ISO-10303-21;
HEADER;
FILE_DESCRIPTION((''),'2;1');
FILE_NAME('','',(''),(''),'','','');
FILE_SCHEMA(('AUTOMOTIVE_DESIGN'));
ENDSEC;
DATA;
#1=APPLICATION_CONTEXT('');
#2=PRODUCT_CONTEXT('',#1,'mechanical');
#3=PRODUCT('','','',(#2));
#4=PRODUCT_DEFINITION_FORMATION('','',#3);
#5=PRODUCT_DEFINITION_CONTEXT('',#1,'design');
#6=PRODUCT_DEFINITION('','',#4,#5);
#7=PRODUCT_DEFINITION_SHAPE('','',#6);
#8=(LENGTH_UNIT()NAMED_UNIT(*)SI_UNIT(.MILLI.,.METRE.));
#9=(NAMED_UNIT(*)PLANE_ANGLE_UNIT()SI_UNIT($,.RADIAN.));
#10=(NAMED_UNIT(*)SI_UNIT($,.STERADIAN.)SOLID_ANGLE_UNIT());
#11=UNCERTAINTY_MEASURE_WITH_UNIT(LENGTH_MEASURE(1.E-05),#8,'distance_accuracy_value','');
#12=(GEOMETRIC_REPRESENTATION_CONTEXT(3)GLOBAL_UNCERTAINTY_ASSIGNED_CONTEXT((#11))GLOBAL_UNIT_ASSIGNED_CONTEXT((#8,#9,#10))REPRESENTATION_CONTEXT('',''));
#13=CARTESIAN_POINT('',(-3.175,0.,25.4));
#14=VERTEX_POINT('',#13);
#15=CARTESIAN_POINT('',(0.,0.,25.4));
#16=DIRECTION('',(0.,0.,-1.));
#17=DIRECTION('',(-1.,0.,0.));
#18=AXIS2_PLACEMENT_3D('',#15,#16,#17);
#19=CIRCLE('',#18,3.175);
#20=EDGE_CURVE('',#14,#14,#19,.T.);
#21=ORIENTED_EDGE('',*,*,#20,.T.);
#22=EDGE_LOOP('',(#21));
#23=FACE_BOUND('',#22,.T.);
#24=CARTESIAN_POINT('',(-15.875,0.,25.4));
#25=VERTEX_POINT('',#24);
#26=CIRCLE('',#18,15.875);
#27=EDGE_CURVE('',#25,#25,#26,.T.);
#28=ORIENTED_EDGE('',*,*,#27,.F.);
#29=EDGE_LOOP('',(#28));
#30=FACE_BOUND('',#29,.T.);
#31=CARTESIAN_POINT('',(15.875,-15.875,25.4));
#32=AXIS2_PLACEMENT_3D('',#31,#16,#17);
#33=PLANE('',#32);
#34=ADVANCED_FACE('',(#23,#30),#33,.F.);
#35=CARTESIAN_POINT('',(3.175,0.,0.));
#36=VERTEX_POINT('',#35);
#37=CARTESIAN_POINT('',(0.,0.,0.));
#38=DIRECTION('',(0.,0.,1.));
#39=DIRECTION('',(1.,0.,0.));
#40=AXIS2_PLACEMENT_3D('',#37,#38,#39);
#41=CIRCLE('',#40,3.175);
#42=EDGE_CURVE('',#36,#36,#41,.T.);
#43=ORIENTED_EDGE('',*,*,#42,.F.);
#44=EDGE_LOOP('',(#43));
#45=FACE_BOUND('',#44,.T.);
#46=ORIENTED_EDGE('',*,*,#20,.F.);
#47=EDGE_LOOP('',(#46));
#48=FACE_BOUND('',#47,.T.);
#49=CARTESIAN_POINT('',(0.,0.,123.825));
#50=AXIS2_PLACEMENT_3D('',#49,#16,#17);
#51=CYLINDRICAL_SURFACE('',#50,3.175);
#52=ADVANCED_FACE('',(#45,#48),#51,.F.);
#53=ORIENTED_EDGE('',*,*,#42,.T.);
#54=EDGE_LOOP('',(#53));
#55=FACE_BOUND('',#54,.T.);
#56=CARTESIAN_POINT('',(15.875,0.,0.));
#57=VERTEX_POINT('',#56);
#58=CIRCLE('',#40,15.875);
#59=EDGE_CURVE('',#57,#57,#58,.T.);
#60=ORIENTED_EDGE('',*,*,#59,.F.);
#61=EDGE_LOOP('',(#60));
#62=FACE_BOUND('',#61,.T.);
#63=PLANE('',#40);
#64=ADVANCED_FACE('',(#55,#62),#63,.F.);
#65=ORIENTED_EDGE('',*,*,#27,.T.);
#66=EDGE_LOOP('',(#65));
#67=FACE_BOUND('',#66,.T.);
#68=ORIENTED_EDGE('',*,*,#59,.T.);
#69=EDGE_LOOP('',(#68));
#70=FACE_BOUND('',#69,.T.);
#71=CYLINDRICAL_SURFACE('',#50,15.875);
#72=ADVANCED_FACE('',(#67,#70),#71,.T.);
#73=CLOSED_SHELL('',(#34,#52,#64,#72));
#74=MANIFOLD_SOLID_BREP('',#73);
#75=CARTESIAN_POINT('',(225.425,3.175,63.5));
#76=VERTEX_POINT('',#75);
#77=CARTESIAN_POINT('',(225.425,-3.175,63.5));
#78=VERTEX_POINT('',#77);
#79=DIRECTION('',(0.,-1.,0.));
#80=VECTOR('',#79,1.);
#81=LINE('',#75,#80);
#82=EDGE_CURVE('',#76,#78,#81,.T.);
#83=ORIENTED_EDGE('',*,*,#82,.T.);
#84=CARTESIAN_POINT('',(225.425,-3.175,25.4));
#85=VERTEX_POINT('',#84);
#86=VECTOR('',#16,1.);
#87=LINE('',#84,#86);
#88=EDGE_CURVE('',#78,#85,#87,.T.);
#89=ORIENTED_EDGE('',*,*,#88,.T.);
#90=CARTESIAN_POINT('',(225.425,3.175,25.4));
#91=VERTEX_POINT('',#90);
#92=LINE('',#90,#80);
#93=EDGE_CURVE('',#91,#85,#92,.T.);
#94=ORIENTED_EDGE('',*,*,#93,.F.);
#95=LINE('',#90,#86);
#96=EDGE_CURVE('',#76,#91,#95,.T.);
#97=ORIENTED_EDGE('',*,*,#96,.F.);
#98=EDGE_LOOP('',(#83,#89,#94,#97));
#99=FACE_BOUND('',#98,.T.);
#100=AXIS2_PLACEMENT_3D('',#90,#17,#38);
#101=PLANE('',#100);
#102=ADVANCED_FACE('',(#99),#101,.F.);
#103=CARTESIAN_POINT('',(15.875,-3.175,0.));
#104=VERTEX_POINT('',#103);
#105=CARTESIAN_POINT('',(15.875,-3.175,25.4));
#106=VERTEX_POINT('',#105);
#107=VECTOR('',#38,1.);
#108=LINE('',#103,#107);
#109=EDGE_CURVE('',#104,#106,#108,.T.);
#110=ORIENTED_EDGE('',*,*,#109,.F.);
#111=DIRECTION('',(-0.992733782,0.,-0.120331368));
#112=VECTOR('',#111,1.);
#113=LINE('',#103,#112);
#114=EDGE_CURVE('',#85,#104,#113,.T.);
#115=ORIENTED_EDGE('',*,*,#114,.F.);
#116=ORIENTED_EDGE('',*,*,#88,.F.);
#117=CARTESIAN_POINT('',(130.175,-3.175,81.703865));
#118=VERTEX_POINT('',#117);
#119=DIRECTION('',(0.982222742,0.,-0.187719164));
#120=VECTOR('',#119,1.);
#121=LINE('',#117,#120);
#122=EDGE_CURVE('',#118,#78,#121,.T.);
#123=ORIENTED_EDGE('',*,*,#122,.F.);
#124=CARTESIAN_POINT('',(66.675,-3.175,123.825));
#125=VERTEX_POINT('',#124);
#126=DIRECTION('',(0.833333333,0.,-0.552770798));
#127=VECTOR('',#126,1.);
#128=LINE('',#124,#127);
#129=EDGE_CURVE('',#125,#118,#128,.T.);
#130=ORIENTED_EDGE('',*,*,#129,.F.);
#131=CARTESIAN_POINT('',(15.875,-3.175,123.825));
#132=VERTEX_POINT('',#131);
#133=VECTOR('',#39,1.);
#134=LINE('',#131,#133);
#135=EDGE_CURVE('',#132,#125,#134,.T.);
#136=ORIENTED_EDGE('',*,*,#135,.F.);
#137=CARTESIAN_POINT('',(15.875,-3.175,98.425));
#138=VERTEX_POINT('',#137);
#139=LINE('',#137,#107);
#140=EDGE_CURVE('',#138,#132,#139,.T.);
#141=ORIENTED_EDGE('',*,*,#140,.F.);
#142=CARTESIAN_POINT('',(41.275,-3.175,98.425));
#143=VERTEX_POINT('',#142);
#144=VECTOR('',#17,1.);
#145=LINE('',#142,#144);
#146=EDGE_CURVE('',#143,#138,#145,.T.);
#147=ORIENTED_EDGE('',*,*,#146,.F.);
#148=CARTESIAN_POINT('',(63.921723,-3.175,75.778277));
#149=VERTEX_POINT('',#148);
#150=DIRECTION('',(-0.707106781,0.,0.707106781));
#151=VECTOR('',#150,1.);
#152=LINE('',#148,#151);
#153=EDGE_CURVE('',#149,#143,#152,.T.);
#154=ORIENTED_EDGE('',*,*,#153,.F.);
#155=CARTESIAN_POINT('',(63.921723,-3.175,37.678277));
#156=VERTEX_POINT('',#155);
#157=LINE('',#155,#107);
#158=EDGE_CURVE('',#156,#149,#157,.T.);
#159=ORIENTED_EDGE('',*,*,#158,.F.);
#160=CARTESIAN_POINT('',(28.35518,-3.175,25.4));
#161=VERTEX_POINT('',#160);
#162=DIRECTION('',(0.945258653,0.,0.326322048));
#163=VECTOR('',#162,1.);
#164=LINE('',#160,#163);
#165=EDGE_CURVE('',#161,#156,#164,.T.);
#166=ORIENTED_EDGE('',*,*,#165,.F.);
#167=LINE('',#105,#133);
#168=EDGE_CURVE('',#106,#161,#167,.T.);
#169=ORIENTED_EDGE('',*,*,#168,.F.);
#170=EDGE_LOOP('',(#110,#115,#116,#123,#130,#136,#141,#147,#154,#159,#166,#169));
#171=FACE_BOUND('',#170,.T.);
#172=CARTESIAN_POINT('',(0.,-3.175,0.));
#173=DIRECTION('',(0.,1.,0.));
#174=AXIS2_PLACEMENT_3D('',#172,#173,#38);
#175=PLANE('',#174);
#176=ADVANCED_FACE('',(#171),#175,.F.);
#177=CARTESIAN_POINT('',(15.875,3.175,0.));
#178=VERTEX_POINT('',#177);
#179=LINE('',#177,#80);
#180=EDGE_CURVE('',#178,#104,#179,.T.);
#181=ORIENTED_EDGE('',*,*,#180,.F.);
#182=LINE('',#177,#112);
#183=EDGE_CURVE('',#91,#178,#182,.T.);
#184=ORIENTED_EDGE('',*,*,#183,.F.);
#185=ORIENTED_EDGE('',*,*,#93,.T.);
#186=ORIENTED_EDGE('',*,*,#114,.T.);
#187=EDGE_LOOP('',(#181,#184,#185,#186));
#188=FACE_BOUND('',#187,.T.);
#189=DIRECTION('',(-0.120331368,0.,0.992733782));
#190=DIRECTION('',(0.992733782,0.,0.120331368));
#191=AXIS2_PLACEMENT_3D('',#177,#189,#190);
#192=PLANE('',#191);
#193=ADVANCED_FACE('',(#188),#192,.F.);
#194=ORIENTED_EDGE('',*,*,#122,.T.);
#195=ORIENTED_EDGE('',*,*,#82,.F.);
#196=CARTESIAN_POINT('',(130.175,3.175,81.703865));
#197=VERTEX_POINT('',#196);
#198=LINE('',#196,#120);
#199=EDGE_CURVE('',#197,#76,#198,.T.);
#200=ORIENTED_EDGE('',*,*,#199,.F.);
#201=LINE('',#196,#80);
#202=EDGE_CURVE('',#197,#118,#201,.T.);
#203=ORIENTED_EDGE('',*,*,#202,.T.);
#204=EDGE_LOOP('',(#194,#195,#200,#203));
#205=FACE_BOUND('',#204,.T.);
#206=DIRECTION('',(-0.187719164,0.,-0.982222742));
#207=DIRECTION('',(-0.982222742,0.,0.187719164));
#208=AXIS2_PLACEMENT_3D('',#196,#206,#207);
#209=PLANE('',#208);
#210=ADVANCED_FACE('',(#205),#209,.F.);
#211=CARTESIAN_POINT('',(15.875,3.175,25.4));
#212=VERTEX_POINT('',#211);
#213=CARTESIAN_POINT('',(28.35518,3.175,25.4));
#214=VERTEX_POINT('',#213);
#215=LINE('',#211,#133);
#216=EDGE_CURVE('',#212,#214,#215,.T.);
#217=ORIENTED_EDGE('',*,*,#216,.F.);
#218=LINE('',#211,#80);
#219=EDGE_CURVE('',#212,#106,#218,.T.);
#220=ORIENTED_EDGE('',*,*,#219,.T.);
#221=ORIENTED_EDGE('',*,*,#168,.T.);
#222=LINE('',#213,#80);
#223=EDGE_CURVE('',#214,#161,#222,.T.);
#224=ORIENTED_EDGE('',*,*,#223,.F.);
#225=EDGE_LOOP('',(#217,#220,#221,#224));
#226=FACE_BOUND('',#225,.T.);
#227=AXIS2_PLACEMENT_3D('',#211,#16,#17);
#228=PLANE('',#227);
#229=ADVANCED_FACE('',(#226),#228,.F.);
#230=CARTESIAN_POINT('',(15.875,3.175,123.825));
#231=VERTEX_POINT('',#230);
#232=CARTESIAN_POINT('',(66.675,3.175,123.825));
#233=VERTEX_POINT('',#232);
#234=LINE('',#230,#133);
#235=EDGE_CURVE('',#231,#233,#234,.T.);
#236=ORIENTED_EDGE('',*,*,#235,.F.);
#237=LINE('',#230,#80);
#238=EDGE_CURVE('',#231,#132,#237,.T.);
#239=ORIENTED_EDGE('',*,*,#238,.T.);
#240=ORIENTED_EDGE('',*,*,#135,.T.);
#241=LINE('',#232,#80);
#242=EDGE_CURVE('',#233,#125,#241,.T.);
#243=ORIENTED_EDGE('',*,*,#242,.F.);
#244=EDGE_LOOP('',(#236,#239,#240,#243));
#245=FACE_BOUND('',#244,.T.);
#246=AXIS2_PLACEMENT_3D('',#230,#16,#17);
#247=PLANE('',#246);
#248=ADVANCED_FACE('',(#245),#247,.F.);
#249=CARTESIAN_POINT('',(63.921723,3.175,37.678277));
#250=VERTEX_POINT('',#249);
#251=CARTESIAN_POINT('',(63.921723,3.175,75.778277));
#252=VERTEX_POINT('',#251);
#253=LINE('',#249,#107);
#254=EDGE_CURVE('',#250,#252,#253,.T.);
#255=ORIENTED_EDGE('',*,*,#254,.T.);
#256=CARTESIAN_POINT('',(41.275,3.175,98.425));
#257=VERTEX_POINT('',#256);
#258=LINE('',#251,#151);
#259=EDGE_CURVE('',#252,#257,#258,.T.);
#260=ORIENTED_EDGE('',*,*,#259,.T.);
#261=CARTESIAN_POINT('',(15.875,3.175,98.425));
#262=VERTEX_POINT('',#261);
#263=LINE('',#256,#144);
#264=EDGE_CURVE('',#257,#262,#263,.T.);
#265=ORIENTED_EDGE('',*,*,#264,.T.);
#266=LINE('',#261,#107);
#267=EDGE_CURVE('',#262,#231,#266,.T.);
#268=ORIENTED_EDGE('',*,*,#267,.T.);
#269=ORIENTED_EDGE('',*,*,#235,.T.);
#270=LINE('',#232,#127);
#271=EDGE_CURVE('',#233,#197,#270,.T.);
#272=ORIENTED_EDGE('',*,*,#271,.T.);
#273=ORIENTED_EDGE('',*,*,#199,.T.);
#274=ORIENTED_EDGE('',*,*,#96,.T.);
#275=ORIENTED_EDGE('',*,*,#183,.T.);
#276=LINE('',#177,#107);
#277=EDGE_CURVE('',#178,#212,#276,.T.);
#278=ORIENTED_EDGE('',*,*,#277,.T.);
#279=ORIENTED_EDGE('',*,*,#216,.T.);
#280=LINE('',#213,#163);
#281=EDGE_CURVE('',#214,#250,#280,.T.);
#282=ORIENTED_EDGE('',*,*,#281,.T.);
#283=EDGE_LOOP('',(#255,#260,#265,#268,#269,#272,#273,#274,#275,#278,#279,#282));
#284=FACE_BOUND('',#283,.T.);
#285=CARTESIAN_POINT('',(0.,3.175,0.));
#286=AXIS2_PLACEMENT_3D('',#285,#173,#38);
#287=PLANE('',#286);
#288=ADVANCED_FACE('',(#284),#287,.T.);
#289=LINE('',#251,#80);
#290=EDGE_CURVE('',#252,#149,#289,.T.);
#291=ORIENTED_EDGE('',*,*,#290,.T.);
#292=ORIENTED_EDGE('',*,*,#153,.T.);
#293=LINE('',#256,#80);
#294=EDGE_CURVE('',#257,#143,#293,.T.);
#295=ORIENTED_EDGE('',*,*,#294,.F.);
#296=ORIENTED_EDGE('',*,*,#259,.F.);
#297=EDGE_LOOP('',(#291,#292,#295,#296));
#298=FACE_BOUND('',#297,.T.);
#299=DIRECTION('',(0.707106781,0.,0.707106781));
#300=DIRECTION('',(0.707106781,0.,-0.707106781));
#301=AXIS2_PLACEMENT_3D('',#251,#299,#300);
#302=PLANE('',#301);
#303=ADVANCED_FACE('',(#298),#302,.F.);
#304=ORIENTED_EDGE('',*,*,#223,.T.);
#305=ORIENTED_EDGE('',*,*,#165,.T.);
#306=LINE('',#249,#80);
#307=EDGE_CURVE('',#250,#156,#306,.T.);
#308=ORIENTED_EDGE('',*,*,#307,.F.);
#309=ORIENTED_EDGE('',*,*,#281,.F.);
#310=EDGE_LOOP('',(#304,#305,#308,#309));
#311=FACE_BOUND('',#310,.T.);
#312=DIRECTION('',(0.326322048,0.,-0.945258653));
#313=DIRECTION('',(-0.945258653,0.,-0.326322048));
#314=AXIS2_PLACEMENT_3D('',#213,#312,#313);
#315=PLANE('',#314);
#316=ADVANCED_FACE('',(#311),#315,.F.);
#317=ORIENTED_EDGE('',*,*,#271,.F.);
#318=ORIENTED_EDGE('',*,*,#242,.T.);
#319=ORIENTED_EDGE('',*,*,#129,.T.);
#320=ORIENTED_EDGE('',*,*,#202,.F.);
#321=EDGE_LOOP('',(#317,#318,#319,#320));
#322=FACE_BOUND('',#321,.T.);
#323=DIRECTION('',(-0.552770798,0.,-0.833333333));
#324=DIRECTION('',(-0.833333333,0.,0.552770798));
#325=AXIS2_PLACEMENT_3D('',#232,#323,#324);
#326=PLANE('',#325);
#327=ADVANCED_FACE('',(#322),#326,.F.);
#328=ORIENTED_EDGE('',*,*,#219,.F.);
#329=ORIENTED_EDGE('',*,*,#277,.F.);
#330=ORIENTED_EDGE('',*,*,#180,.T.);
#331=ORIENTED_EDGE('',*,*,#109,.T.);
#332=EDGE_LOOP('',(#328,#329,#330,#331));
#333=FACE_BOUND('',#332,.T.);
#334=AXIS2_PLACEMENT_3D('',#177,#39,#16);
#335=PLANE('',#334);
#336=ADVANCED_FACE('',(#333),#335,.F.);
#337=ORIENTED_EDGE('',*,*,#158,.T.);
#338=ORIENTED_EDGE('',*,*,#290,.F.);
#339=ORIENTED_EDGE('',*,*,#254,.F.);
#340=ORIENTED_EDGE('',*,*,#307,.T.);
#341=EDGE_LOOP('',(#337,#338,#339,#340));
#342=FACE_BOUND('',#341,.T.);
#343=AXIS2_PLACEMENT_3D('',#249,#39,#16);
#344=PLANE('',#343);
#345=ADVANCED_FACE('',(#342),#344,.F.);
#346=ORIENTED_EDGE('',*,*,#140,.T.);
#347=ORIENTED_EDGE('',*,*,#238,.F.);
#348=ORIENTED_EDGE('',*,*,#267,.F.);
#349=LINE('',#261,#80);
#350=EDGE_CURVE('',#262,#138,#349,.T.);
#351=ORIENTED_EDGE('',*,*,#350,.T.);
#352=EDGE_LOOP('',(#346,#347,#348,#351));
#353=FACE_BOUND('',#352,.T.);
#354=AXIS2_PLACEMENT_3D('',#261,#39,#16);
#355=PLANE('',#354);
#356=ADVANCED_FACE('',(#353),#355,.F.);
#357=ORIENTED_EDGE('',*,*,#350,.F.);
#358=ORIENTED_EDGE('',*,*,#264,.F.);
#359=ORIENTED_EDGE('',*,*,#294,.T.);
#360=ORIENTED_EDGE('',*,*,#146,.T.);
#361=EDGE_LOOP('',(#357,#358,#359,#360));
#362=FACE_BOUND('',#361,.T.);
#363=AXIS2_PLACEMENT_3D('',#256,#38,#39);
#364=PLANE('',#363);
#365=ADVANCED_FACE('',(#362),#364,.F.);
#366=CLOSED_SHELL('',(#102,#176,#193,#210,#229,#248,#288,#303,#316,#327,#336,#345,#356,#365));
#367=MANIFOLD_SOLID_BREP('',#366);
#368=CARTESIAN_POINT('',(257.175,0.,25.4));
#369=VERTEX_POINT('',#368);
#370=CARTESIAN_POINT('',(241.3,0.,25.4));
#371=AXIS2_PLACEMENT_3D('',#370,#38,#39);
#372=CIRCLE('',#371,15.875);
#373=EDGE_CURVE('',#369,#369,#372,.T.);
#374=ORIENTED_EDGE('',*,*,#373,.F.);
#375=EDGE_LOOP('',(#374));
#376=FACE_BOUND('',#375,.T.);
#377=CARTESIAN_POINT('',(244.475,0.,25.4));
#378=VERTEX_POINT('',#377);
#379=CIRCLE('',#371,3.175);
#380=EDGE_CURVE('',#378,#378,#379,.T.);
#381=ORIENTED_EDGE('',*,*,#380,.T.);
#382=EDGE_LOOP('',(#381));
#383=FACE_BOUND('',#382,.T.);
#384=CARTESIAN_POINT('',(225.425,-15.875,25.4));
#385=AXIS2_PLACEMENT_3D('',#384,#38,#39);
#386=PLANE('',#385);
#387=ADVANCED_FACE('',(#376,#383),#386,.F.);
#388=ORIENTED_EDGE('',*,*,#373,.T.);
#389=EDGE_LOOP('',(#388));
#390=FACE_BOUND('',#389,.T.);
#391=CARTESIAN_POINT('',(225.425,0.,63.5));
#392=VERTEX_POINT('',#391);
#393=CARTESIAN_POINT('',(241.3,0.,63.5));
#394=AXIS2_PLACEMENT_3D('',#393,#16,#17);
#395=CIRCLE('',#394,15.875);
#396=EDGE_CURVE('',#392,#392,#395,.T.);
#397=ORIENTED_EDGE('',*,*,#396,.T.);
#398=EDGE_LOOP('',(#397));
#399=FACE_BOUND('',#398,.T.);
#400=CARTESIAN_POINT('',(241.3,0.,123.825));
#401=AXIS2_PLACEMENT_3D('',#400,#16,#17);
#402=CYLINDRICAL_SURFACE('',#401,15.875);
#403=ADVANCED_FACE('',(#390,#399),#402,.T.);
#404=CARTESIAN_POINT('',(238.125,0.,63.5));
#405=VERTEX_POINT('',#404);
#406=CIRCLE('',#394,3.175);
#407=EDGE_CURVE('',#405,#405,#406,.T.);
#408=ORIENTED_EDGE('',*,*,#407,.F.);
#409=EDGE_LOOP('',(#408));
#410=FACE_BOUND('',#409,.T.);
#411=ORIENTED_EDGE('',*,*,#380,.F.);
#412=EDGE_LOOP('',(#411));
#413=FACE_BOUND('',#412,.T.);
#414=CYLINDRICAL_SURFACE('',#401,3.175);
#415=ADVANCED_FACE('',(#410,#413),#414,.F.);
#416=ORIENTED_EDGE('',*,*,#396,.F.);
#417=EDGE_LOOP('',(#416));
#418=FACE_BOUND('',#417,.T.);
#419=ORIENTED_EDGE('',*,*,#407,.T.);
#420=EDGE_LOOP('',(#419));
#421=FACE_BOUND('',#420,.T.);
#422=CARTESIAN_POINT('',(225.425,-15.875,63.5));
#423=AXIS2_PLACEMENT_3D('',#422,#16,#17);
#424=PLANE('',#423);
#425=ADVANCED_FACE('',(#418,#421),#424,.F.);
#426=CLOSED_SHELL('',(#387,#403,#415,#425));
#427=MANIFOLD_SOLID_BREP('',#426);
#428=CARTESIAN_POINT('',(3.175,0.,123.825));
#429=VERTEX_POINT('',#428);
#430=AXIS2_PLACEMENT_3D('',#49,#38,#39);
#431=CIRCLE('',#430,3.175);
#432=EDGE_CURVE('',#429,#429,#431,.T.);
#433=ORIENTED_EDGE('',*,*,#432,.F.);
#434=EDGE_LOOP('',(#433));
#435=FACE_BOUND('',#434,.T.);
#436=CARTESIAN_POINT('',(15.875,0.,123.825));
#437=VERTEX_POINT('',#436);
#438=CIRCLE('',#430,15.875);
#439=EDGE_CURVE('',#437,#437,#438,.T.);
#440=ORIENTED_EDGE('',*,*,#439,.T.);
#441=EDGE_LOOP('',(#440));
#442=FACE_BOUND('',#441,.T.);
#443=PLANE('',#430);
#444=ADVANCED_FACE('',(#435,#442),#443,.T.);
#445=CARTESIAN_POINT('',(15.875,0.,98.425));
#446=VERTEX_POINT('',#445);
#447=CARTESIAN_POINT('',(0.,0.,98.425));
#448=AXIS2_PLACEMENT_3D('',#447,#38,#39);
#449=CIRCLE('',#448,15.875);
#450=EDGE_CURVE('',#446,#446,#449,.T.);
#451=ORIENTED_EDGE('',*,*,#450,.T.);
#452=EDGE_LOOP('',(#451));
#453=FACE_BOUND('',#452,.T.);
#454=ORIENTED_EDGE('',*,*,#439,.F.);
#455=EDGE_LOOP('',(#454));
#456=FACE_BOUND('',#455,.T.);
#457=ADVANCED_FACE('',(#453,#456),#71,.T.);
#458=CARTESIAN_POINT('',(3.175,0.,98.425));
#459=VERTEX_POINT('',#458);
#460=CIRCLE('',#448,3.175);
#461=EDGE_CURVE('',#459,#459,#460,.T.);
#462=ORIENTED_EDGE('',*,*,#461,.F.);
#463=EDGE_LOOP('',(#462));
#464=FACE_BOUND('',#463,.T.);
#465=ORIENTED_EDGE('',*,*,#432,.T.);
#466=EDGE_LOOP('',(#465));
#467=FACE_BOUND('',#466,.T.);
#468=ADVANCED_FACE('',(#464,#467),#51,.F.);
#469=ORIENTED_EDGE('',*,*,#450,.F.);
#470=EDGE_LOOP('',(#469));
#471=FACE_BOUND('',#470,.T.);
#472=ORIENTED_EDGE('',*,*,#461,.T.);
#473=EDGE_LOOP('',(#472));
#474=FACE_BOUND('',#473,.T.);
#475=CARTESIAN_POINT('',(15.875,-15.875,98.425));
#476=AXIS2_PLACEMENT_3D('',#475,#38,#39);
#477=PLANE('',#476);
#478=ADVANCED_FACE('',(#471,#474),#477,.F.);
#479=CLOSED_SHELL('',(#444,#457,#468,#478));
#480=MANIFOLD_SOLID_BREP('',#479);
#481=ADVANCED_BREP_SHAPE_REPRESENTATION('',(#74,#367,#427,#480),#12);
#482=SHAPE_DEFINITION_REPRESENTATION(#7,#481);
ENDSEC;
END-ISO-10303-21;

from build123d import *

# Parameters (mm, degrees)
SKETCH1_R               = 15.875
SKETCH1_R_2             = 3.175
BOSS_EXTRUDE1_DEPTH     = 123.825
BOSS_EXTRUDE1_2_DEPTH   = 123.825
BOSS_EXTRUDE2_DEPTH     = 3.175
CUT_EXTRUDE1_DEPTH      = 286.873445558
CUT_EXTRUDE1_DEPTH_BACK = 286.873445558
SKETCH3_W               = 31.75
SKETCH3_H               = 73.025
SKETCH3_H_2             = 25.4
SKETCH3_H_3             = 60.325


with BuildPart() as part:
    # Sketch1 → Boss-Extrude1 (new body)
    with BuildSketch(Plane.XY):
        Circle(SKETCH1_R)
        Circle(SKETCH1_R_2, mode=Mode.SUBTRACT)
    extrude(amount=BOSS_EXTRUDE1_DEPTH)


with BuildPart() as body_2:
    # Sketch1 → Boss-Extrude1 2 (new body)
    with BuildSketch(Plane.XY):
        with Locations((241.3, 0)):
            Circle(SKETCH1_R)
        with Locations((241.3, 0)):
            Circle(SKETCH1_R_2, mode=Mode.SUBTRACT)
    extrude(amount=BOSS_EXTRUDE1_2_DEPTH)


with BuildPart() as body_3:
    # Sketch2 → Boss-Extrude2 (new, symmetric)
    with BuildSketch(Plane(origin=(0, 0, 0), x_dir=(1, 0, 0), z_dir=(0, 1, 0))):
        Polygon((15.875, 0), (225.425, -25.4), (225.425, -63.5), (130.175, -81.703865162), (66.675, -123.825), (15.875, -123.825), (15.875, -98.425), (41.275, -98.425), (63.921723228, -75.778276772), (63.921723228, -37.678276772), (28.355179528, -25.4), (15.875, -25.4), align=None)
    extrude(amount=BOSS_EXTRUDE2_DEPTH, both=True)


with BuildPart() as cut_extrude1_tool:
    # Sketch3 → Cut-Extrude1 (new, two sides: drawn at the far end of the back side and taken through both)
    with BuildSketch(Plane(origin=(0, 0, 0), x_dir=(1, 0, 0), z_dir=(0, 1, 0)).offset(-CUT_EXTRUDE1_DEPTH_BACK)):
        with Locations((0, -61.9125)):
            Rectangle(SKETCH3_W, SKETCH3_H)
        with Locations((241.3, -12.7)):
            Rectangle(SKETCH3_W, SKETCH3_H_2)
        with Locations((241.3, -93.6625)):
            Rectangle(SKETCH3_W, SKETCH3_H_3)
    extrude(amount=CUT_EXTRUDE1_DEPTH + CUT_EXTRUDE1_DEPTH_BACK)


with BuildPart() as part_1:
    add(part.part)

    # Cut-Extrude1: cut by cut_extrude1_tool
    add(cut_extrude1_tool.part, mode=Mode.SUBTRACT)


with BuildPart() as body_2_1:
    add(body_2.part)

    # Cut-Extrude1: cut by cut_extrude1_tool
    add(cut_extrude1_tool.part, mode=Mode.SUBTRACT)


solid = Compound([body_3.part, part_1.part, body_2_1.part])
